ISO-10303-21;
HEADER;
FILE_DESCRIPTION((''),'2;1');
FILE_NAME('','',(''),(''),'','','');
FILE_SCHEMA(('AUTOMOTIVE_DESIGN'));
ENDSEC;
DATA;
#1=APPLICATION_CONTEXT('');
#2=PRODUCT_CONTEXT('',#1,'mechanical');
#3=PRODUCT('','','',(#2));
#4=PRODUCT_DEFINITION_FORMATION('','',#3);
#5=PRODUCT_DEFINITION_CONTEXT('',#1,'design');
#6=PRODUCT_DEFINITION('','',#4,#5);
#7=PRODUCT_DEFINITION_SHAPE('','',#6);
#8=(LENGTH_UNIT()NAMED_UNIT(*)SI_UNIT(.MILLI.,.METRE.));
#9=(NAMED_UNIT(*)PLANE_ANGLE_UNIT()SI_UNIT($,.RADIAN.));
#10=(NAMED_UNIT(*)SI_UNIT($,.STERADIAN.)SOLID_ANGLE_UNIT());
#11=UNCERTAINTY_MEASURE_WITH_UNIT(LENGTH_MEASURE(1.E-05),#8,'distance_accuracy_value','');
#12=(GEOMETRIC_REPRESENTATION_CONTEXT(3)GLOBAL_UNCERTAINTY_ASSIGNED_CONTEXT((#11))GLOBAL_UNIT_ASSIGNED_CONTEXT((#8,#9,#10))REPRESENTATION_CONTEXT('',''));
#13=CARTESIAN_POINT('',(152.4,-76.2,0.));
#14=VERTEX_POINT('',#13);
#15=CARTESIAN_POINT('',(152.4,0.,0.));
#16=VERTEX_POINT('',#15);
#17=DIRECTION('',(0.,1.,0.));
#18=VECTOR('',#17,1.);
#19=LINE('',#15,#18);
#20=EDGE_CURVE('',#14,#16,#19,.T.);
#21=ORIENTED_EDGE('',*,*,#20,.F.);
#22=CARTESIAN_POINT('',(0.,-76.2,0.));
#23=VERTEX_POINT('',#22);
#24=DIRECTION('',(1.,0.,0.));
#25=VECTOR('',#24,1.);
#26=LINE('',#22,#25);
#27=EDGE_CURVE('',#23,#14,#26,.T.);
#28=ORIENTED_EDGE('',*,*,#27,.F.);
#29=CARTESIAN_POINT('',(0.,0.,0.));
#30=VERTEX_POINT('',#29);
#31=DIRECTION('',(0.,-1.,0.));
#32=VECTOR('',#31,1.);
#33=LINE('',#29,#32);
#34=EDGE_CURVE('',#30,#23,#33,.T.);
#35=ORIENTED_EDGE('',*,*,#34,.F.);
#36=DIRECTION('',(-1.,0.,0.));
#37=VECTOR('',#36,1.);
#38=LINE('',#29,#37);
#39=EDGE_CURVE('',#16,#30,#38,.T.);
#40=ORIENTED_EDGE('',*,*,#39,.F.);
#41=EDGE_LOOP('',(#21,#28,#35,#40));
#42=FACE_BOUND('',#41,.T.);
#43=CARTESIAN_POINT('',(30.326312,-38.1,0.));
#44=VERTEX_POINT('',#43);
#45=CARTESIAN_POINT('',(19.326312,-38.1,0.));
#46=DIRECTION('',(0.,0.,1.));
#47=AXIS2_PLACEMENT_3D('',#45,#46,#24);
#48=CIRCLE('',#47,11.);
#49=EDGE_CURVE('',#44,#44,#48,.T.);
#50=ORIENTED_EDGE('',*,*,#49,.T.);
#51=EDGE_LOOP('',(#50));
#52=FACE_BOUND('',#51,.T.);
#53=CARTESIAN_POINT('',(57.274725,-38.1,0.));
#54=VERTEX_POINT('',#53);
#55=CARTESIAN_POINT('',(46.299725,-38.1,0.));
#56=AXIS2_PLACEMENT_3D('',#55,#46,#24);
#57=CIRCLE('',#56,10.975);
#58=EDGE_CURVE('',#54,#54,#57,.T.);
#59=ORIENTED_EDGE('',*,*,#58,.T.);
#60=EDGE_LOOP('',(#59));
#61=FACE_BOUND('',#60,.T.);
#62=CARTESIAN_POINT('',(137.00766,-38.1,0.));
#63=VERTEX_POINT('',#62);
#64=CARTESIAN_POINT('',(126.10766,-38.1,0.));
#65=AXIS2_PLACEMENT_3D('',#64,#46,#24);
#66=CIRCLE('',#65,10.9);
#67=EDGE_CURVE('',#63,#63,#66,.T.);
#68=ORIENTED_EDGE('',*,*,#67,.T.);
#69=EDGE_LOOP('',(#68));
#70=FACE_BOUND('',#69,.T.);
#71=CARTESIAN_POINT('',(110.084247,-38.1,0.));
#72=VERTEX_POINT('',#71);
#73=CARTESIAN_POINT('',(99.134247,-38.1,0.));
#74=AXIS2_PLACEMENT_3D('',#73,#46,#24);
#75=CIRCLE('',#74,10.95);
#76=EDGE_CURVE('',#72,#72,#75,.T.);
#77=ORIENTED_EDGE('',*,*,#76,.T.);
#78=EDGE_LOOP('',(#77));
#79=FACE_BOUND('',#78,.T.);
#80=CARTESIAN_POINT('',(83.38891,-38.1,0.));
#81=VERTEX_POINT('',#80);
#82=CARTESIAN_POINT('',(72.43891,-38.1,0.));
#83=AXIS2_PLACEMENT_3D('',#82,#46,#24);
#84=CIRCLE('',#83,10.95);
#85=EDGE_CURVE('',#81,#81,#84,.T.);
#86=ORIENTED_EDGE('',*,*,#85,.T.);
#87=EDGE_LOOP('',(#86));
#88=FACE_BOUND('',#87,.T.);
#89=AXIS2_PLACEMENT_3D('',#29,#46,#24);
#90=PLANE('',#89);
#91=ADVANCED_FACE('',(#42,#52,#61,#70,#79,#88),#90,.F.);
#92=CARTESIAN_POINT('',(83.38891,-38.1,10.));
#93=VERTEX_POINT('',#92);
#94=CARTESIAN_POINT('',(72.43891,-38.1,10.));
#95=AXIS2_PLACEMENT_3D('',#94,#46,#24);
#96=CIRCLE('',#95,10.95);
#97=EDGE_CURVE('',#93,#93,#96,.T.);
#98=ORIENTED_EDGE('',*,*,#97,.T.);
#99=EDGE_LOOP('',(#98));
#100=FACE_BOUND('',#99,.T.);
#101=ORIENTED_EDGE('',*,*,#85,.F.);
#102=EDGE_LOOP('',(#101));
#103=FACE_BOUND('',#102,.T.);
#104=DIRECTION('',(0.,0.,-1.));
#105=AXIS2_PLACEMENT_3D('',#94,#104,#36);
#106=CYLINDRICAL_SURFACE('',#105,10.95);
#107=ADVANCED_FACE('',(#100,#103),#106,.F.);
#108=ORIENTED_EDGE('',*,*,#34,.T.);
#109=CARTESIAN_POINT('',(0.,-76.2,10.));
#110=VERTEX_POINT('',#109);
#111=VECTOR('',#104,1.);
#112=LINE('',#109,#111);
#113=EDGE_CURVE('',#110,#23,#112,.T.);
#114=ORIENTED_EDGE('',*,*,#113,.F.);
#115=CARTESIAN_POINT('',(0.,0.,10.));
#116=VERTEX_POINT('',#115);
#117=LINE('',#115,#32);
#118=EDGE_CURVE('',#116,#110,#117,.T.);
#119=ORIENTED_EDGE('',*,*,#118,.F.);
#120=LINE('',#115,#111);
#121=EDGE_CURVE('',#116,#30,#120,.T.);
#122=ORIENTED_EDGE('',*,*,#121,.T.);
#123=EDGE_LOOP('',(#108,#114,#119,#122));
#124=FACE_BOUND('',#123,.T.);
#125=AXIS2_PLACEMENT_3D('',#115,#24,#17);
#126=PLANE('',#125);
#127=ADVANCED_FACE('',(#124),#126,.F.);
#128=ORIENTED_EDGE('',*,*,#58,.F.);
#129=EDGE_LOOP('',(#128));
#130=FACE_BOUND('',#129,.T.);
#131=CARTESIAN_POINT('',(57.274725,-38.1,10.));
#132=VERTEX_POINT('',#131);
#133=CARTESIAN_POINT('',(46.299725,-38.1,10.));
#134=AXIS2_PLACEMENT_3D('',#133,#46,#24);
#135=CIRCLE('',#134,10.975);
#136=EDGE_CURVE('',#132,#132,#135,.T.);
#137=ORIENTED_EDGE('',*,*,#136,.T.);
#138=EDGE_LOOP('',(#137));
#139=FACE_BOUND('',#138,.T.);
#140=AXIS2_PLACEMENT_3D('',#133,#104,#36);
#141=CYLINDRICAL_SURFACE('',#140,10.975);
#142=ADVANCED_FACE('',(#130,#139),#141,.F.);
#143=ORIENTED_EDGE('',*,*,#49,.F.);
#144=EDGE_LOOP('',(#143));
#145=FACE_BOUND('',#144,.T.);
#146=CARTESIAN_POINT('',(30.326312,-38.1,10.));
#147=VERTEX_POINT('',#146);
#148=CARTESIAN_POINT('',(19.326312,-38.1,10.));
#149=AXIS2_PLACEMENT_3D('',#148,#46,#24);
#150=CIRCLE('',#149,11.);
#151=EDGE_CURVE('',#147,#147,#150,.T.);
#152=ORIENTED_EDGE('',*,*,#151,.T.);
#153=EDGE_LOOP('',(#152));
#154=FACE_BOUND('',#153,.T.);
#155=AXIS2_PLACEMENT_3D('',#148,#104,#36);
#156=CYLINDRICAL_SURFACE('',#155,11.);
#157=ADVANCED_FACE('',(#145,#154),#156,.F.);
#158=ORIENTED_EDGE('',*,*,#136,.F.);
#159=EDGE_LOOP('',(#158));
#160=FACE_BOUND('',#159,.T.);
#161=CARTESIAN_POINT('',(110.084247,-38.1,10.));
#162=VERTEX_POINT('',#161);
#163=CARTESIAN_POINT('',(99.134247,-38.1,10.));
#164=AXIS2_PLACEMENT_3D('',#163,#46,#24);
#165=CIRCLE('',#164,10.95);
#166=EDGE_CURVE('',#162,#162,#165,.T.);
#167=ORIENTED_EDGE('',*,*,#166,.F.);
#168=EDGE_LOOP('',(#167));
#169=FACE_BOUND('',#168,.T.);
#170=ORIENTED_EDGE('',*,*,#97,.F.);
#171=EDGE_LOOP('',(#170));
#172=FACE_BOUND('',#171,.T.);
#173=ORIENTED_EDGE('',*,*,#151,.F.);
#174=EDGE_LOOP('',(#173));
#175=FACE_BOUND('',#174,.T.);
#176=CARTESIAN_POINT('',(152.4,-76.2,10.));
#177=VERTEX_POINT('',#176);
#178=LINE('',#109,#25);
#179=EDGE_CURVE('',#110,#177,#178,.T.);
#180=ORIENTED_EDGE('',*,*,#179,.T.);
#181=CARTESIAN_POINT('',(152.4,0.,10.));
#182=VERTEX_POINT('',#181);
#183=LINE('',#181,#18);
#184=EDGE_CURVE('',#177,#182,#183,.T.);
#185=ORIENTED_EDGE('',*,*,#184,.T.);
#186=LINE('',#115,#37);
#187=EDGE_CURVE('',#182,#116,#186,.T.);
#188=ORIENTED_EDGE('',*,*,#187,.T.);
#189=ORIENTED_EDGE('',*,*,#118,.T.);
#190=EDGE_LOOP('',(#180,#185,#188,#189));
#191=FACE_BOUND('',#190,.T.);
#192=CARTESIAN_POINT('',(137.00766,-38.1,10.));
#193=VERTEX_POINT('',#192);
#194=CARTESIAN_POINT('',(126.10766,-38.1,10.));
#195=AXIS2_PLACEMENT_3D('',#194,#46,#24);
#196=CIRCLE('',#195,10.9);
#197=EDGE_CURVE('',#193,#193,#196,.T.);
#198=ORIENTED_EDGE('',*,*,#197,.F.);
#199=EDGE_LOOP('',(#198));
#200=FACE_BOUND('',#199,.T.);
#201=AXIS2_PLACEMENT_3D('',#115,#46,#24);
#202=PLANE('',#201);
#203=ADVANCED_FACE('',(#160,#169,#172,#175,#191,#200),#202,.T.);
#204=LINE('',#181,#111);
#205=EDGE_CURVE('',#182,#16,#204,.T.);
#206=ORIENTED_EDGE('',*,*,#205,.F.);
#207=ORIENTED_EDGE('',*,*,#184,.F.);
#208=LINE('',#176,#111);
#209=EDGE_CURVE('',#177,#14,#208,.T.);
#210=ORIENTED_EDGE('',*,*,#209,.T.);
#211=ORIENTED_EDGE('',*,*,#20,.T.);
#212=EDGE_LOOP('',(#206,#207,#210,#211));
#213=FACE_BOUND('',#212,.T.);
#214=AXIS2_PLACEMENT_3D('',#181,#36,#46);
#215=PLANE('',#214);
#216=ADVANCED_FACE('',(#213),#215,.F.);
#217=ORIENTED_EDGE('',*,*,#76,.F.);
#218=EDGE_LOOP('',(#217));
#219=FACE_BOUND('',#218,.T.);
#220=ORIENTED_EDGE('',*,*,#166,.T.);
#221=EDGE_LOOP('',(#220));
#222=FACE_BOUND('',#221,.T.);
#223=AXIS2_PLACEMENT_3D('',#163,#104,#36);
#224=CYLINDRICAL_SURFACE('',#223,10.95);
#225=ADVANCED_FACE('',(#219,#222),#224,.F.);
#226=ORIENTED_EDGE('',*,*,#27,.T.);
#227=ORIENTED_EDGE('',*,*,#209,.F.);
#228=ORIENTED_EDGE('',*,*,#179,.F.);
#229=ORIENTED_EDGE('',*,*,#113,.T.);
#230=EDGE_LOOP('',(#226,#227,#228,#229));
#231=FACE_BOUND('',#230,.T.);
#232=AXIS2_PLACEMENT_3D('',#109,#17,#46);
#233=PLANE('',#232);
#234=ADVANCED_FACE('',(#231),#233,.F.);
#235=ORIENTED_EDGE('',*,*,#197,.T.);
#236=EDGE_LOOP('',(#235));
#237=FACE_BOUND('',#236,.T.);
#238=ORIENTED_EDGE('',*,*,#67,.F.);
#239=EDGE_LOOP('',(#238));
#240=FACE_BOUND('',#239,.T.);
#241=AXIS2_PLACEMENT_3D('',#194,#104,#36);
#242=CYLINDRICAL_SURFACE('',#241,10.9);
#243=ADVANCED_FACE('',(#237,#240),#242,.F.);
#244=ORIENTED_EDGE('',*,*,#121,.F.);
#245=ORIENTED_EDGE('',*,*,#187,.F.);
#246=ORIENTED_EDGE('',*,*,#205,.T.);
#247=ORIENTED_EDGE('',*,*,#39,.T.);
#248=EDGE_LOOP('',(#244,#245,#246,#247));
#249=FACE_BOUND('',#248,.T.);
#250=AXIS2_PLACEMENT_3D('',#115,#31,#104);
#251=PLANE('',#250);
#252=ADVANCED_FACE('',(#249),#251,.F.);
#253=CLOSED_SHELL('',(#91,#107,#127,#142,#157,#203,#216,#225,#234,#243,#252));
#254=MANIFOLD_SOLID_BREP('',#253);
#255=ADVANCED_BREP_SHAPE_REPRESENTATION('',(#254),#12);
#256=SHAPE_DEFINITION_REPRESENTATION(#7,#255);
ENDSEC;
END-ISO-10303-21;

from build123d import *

# Parameters (mm, degrees)
SKETCH1_W           = 152.4
SKETCH1_H           = 76.2
SKETCH1_R           = 10.999999971
SKETCH1_R_2         = 10.975
SKETCH1_R_3         = 10.95
SKETCH1_R_4         = 10.9
BOSS_EXTRUDE1_DEPTH = 10


with BuildPart() as part:
    # Sketch1 → Boss-Extrude1 (new body)
    with BuildSketch(Plane.XY):
        with Locations((76.2, -38.1)):
            Rectangle(SKETCH1_W, SKETCH1_H)
        with Locations((19.32631179, -38.1)):
            Circle(SKETCH1_R, mode=Mode.SUBTRACT)
        with Locations((46.299725366, -38.1)):
            Circle(SKETCH1_R_2, mode=Mode.SUBTRACT)
        with Locations((72.438909657, -38.1)):
            Circle(SKETCH1_R_3, mode=Mode.SUBTRACT)
        with Locations((99.134246805, -38.1)):
            Circle(SKETCH1_R_3, mode=Mode.SUBTRACT)
        with Locations((126.107660382, -38.1)):
            Circle(SKETCH1_R_4, mode=Mode.SUBTRACT)
    extrude(amount=BOSS_EXTRUDE1_DEPTH)


solid = part.part
